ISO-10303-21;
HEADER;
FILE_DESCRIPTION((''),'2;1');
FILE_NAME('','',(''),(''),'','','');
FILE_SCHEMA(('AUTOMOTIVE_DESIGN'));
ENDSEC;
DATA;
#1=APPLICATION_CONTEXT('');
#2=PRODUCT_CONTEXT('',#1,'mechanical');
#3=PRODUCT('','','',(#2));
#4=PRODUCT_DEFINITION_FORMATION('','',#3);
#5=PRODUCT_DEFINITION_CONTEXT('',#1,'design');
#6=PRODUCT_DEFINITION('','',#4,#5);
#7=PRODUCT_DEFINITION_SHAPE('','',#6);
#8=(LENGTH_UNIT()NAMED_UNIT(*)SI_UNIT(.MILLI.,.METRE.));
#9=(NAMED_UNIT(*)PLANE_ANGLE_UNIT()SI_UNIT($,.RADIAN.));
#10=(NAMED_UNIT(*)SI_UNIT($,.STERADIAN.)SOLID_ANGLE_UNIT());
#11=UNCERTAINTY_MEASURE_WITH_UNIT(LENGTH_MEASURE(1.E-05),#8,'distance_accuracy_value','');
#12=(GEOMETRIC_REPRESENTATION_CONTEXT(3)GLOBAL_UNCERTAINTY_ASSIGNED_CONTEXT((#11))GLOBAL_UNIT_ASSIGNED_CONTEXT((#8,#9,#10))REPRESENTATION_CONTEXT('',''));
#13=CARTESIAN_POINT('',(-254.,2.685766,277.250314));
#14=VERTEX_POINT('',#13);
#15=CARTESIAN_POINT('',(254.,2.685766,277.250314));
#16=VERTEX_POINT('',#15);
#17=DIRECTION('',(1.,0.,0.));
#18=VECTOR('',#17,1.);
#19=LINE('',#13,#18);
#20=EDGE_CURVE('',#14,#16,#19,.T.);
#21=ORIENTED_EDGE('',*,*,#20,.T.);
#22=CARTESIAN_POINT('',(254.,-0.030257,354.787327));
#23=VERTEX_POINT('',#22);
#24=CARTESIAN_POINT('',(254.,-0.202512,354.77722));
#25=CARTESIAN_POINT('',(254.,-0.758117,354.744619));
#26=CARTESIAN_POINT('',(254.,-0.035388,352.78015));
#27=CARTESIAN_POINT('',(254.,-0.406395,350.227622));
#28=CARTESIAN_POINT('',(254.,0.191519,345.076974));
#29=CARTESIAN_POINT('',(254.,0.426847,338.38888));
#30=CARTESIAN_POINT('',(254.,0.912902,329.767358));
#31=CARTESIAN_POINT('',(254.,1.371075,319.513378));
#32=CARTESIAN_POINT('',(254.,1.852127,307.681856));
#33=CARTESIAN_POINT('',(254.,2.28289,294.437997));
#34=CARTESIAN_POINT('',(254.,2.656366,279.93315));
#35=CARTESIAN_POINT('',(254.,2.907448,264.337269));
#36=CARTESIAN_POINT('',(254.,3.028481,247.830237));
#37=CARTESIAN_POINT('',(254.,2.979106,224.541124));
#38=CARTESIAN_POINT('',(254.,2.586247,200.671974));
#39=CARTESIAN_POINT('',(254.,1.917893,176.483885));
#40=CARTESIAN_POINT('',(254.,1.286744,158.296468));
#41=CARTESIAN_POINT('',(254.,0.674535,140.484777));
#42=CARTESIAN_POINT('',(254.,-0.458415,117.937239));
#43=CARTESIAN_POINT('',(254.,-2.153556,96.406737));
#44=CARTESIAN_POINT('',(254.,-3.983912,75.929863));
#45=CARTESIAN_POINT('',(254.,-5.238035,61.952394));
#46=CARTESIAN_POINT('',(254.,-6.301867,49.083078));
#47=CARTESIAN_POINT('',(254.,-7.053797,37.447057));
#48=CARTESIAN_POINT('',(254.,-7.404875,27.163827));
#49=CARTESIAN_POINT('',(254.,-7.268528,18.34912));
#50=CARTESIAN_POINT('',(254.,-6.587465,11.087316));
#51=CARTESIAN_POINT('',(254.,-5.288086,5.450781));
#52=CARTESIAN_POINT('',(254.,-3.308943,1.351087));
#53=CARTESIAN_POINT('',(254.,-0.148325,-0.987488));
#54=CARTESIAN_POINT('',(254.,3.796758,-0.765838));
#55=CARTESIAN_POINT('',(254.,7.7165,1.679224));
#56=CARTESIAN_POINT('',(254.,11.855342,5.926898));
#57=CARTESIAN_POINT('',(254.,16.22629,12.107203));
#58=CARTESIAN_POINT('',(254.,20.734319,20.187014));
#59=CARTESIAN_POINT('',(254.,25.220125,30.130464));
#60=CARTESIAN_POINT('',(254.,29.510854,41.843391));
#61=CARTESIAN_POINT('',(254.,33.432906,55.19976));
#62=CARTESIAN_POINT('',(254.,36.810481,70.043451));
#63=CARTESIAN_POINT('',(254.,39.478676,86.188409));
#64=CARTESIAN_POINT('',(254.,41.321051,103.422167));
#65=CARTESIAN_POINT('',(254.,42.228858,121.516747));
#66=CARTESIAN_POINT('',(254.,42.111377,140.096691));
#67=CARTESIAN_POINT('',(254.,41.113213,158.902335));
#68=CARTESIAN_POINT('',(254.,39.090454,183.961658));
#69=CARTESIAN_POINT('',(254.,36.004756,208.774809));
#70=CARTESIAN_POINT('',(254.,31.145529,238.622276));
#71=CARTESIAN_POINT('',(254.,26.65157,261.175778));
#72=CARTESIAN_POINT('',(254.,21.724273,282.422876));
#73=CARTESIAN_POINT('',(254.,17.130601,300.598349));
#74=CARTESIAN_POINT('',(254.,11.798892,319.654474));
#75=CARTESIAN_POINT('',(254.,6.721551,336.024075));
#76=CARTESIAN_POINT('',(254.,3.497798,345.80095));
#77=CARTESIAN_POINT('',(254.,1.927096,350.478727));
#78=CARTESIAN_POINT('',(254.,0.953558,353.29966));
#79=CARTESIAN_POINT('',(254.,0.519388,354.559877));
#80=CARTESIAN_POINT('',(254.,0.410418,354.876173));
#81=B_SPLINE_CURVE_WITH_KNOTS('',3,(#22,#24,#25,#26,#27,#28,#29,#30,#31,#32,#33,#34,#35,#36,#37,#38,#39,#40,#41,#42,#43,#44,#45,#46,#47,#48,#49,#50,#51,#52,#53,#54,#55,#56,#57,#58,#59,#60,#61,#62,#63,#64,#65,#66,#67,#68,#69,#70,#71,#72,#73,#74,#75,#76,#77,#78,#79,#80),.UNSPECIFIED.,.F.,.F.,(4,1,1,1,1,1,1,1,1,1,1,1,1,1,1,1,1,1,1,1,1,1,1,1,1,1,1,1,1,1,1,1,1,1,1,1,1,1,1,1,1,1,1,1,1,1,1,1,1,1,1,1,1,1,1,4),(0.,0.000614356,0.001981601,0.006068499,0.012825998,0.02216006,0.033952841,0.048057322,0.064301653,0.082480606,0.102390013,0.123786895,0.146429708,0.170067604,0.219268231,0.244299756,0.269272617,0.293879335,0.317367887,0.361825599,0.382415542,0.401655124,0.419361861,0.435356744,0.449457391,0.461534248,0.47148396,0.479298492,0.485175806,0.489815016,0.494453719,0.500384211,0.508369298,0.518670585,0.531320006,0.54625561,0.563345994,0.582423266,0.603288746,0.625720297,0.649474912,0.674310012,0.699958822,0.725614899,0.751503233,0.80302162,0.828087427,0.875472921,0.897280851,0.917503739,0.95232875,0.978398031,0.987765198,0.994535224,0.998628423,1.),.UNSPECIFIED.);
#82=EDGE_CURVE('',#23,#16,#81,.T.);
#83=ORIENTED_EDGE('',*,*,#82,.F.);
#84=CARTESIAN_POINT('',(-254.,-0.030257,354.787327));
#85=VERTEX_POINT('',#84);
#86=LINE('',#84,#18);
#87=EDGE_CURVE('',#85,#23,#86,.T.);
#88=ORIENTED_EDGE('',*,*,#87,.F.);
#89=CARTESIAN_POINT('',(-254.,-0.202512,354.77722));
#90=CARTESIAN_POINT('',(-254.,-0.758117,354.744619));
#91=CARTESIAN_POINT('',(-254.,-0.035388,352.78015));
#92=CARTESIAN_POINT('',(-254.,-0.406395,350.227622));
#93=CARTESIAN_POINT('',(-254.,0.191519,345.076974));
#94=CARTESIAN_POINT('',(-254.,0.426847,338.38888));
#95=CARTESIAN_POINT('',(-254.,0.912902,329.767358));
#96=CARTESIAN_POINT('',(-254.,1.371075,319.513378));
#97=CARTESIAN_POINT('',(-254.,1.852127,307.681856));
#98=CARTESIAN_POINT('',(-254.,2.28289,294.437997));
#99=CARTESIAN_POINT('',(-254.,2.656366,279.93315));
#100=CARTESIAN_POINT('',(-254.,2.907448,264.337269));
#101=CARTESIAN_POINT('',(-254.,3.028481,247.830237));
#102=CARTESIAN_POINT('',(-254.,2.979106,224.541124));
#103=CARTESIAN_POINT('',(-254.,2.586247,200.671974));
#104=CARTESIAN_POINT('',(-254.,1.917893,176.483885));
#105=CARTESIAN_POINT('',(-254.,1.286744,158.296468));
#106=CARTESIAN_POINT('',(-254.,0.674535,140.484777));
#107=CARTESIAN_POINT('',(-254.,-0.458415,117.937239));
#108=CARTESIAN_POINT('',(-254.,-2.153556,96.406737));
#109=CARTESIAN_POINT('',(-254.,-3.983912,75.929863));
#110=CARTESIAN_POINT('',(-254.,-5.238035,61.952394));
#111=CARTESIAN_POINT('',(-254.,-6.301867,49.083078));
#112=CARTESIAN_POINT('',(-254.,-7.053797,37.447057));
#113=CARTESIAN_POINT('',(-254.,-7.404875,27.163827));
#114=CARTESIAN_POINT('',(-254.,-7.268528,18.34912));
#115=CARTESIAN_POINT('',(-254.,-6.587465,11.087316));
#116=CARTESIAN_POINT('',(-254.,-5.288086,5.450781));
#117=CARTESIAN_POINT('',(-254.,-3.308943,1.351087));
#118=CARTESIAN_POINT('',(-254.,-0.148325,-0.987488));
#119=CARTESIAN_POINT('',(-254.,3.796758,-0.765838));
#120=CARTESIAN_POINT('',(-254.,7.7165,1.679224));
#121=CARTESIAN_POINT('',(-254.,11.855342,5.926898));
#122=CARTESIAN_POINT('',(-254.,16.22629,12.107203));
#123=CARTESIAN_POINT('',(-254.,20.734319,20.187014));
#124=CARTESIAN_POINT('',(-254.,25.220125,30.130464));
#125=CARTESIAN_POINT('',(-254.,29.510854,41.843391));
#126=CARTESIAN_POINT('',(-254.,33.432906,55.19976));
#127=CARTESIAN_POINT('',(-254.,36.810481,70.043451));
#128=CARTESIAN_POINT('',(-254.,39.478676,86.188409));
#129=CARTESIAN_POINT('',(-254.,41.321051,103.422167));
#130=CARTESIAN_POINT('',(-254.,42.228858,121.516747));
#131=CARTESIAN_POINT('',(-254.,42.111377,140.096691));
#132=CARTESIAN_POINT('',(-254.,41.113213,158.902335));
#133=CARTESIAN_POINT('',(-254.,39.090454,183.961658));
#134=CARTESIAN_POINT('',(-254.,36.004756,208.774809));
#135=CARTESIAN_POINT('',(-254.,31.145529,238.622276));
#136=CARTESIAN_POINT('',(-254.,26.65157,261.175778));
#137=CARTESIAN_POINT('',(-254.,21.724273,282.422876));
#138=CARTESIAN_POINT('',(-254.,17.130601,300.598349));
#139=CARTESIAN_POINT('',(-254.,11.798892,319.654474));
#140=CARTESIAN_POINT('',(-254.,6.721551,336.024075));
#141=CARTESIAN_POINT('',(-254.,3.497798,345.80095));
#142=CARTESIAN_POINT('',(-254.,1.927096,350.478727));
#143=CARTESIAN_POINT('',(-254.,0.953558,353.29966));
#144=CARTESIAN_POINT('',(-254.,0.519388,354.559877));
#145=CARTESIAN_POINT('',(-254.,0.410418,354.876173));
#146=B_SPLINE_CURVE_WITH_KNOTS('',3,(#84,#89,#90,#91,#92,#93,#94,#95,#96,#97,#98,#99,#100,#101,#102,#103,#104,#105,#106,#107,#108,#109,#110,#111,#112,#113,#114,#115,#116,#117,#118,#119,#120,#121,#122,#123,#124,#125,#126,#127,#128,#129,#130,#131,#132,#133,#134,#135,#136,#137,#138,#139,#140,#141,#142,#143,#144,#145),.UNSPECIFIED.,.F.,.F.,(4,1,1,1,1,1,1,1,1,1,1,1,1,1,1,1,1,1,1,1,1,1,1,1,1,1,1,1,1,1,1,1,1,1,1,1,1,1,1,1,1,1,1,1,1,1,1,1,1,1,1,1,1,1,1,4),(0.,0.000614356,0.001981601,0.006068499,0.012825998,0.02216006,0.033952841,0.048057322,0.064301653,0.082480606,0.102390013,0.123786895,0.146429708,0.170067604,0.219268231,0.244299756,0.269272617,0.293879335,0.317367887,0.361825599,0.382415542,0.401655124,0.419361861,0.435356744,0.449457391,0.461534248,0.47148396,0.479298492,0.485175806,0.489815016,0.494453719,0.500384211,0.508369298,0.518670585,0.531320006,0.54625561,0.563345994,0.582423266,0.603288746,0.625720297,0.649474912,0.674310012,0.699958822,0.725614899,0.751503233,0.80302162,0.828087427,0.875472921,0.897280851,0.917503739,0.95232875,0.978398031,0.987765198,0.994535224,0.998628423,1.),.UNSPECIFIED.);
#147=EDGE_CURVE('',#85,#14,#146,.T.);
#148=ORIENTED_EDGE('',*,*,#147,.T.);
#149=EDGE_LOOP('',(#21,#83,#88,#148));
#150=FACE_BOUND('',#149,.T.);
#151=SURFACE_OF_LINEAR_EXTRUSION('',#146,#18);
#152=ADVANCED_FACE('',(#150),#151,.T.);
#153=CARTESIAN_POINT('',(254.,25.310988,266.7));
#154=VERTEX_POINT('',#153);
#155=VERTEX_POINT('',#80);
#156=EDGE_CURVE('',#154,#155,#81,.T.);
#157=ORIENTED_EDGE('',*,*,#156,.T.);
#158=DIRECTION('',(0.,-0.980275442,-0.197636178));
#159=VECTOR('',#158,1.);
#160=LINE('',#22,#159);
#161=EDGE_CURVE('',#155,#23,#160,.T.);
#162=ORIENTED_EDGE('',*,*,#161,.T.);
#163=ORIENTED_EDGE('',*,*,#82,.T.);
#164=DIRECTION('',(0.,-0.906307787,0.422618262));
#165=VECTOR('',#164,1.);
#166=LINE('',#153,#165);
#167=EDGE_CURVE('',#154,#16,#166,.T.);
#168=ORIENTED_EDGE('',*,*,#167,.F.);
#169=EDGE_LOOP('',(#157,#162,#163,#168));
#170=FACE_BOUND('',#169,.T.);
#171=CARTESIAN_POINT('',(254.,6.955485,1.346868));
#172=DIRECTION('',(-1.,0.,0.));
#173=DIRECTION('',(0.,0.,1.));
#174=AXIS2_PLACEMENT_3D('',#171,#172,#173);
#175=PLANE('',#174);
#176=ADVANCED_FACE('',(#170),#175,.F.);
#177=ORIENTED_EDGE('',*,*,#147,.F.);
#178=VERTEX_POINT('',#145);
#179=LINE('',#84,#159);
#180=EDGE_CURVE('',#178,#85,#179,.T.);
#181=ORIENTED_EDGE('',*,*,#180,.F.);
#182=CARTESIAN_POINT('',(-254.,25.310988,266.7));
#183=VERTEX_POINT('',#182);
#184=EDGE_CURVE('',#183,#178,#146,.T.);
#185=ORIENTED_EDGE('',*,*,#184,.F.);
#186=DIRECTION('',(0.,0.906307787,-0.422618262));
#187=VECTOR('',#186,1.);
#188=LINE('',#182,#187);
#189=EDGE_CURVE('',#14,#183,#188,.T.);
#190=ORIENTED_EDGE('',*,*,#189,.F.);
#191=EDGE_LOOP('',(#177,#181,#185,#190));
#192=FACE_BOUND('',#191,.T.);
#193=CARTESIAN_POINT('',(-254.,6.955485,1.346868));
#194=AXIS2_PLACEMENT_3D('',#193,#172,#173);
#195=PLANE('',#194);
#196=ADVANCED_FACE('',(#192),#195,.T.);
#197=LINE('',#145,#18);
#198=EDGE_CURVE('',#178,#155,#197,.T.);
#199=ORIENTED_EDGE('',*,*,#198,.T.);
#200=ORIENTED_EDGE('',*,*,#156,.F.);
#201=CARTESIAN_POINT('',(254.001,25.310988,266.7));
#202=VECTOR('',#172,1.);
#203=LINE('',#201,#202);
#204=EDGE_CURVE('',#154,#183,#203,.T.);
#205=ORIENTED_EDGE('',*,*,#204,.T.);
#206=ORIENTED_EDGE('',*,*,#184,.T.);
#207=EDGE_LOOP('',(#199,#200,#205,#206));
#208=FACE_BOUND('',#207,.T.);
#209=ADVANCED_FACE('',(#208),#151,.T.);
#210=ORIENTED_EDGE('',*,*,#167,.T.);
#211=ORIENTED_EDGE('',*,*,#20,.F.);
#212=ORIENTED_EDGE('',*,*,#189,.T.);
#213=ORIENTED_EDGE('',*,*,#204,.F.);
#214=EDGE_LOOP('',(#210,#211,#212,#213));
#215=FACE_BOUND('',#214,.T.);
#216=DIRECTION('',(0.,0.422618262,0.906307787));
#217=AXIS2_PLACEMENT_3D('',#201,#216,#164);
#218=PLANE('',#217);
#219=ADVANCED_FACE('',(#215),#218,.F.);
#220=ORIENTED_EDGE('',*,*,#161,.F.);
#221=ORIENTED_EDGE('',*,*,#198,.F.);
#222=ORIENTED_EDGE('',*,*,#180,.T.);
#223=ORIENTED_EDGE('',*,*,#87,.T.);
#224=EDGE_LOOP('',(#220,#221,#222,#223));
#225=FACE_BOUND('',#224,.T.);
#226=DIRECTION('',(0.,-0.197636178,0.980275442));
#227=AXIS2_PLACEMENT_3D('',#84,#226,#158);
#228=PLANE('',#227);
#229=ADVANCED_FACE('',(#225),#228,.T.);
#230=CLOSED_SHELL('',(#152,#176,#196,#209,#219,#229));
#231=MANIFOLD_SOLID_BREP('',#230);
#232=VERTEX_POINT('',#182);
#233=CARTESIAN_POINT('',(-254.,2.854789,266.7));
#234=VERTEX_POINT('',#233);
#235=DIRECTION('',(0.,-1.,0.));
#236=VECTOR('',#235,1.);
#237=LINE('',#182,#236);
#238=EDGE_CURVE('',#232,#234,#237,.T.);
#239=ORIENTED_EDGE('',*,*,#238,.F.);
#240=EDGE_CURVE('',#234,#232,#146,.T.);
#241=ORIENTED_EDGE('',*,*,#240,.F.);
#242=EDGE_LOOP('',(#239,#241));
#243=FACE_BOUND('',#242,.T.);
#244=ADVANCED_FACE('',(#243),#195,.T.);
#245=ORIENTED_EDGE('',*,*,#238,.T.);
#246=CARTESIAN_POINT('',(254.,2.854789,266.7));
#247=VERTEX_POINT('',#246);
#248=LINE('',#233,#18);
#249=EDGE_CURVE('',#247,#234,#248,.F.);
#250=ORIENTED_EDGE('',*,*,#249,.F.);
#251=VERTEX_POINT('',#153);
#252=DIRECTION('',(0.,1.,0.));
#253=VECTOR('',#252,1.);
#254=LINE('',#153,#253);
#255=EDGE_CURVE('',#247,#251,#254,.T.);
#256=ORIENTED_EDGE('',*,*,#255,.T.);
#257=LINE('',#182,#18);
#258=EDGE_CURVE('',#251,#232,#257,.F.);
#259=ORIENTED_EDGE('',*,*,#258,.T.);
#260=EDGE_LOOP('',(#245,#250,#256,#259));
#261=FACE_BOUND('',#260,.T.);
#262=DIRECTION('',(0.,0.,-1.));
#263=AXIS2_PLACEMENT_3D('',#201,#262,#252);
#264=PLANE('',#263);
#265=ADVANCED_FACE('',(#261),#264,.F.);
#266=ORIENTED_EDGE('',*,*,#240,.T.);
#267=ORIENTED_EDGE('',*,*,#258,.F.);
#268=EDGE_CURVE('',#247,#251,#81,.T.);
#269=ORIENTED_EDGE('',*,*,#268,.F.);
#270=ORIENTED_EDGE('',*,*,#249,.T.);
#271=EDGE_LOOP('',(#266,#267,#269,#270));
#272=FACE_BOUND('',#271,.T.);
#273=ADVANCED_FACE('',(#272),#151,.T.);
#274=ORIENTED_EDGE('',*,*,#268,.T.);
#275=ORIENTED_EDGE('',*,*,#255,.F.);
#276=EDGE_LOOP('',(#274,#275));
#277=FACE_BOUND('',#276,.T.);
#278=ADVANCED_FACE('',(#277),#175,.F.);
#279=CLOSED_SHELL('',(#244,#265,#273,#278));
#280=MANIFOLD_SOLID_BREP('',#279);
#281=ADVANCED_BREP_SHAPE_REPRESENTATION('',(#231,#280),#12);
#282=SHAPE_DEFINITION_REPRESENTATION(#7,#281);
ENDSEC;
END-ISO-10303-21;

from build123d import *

# Parameters (mm, degrees)
BOSS_EXTRUDE1_DEPTH      = 254
BOSS_EXTRUDE1_DEPTH_BACK = 254
CUT_EXTRUDE1_REACH       = 623.109


with BuildPart() as part:
    # Sketch1 → Boss-Extrude1 (new, two sides: drawn at the far end of the back side and taken through both)
    with BuildSketch(Plane(origin=(0, 0, 0), x_dir=(0, 0, -1), z_dir=(1, 0, 0)).offset(-BOSS_EXTRUDE1_DEPTH_BACK)):
        with BuildLine():
            Line((-354.787327228, -0.030257196), (-354.876173011, 0.410417887))
            add(Edge.make_bspline(
                [(-354.876173011, 0.410417887), (-354.559877309, 0.519388), (-353.29965963, 0.95355787), (-350.47872665, 1.927095868), (-345.800950265, 3.497798274), (-336.024074692, 6.721551148), (-319.654473712, 11.798891927), (-300.598349456, 17.130600639), (-282.422876264, 21.724272526), (-261.175777938, 26.651569731), (-238.622276389, 31.145528798), (-208.774809213, 36.004755717), (-183.96165787, 39.090454058), (-158.902335219, 41.113212891), (-140.096691022, 42.111376668), (-121.516747473, 42.228858195), (-103.422167262, 41.321050632), (-86.188408528, 39.478676181), (-70.043450957, 36.810480574), (-55.199760436, 33.432905997), (-41.843390777, 29.510854383), (-30.130463623, 25.220125297), (-20.187014188, 20.73431935), (-12.107203154, 16.226289935), (-5.926897661, 11.855341958), (-1.679224073, 7.716499794), (0.765838065, 3.796757813), (0.987487677, -0.148325216), (-1.35108726, -3.308943186), (-5.450780885, -5.288085739), (-11.087315968, -6.587464624), (-18.34911979, -7.268527656), (-27.163826626, -7.404874951), (-37.447057223, -7.053797092), (-49.083078017, -6.301866785), (-61.95239395, -5.238034817), (-75.929862643, -3.983911698), (-96.406736552, -2.153555858), (-117.937239158, -0.458414508), (-140.484776897, 0.674535203), (-158.296467959, 1.286744043), (-176.48388462, 1.917893193), (-200.671973719, 2.586246563), (-224.541124114, 2.979106232), (-247.830237405, 3.028480659), (-264.337268621, 2.907447598), (-279.933149694, 2.656365926), (-294.437996632, 2.282890374), (-307.681856469, 1.852126627), (-319.513378006, 1.371074809), (-329.767358246, 0.912902227), (-338.388880463, 0.426846955), (-345.076973543, 0.191518705), (-350.227621538, -0.406394891), (-352.780150329, -0.035387827), (-354.744619464, -0.75811662), (-354.777220059, -0.20251155), (-354.787327228, -0.030257196)],
                knots=[0, 0, 0, 0, 0.001371577, 0.005464776, 0.012234802, 0.021601969, 0.04767125, 0.082496261, 0.102719149, 0.124527079, 0.171912573, 0.19697838, 0.248496767, 0.274385101, 0.300041178, 0.325689988, 0.350525088, 0.374279703, 0.396711254, 0.417576734, 0.436654006, 0.45374439, 0.468679994, 0.481329415, 0.491630702, 0.499615789, 0.505546281, 0.510184984, 0.514824194, 0.520701508, 0.52851604, 0.538465752, 0.550542609, 0.564643256, 0.580638139, 0.598344876, 0.617584458, 0.638174401, 0.682632113, 0.706120665, 0.730727383, 0.755700244, 0.780731769, 0.829932396, 0.853570292, 0.876213105, 0.897609987, 0.917519394, 0.935698347, 0.951942678, 0.966047159, 0.97783994, 0.987174002, 0.993931501, 0.998018399, 0.999385644, 1, 1, 1, 1], degree=3))
        make_face()
    extrude(amount=BOSS_EXTRUDE1_DEPTH + BOSS_EXTRUDE1_DEPTH_BACK)

    # Sketch2 → Cut-Extrude1 (cut, up to next)
    with BuildSketch(Plane.ZY.offset(254), mode=Mode.PRIVATE) as cut_extrude1_sk1:
        Polygon((266.7, 25.310988042), (266.7, 2.06571301), (277.539449763, 2.06571301), align=None)
    cut_extrude1_tool1 = extrude(cut_extrude1_sk1.sketch, amount=-CUT_EXTRUDE1_REACH, mode=Mode.PRIVATE) & part.part
    add(cut_extrude1_tool1.solids().sort_by_distance((-254, 9.814138, 270.31315))[0], mode=Mode.SUBTRACT)


with BuildPart() as cut_extrude1_piece_1:
    # of the separate pieces the step leaves, piece 1, a body of its own (cut_extrude1_pieces)
    add(part.part.solids().sort_by_distance((0, 2.854788865, 266.7))[0])


with BuildPart() as cut_extrude1_piece_2:
    # of the separate pieces the step leaves, piece 2, a body of its own (cut_extrude1_pieces)
    add(part.part.solids().sort_by_distance((0, -0.030257196, 354.787327228))[0])


solid = Compound([cut_extrude1_piece_1.part, cut_extrude1_piece_2.part])
